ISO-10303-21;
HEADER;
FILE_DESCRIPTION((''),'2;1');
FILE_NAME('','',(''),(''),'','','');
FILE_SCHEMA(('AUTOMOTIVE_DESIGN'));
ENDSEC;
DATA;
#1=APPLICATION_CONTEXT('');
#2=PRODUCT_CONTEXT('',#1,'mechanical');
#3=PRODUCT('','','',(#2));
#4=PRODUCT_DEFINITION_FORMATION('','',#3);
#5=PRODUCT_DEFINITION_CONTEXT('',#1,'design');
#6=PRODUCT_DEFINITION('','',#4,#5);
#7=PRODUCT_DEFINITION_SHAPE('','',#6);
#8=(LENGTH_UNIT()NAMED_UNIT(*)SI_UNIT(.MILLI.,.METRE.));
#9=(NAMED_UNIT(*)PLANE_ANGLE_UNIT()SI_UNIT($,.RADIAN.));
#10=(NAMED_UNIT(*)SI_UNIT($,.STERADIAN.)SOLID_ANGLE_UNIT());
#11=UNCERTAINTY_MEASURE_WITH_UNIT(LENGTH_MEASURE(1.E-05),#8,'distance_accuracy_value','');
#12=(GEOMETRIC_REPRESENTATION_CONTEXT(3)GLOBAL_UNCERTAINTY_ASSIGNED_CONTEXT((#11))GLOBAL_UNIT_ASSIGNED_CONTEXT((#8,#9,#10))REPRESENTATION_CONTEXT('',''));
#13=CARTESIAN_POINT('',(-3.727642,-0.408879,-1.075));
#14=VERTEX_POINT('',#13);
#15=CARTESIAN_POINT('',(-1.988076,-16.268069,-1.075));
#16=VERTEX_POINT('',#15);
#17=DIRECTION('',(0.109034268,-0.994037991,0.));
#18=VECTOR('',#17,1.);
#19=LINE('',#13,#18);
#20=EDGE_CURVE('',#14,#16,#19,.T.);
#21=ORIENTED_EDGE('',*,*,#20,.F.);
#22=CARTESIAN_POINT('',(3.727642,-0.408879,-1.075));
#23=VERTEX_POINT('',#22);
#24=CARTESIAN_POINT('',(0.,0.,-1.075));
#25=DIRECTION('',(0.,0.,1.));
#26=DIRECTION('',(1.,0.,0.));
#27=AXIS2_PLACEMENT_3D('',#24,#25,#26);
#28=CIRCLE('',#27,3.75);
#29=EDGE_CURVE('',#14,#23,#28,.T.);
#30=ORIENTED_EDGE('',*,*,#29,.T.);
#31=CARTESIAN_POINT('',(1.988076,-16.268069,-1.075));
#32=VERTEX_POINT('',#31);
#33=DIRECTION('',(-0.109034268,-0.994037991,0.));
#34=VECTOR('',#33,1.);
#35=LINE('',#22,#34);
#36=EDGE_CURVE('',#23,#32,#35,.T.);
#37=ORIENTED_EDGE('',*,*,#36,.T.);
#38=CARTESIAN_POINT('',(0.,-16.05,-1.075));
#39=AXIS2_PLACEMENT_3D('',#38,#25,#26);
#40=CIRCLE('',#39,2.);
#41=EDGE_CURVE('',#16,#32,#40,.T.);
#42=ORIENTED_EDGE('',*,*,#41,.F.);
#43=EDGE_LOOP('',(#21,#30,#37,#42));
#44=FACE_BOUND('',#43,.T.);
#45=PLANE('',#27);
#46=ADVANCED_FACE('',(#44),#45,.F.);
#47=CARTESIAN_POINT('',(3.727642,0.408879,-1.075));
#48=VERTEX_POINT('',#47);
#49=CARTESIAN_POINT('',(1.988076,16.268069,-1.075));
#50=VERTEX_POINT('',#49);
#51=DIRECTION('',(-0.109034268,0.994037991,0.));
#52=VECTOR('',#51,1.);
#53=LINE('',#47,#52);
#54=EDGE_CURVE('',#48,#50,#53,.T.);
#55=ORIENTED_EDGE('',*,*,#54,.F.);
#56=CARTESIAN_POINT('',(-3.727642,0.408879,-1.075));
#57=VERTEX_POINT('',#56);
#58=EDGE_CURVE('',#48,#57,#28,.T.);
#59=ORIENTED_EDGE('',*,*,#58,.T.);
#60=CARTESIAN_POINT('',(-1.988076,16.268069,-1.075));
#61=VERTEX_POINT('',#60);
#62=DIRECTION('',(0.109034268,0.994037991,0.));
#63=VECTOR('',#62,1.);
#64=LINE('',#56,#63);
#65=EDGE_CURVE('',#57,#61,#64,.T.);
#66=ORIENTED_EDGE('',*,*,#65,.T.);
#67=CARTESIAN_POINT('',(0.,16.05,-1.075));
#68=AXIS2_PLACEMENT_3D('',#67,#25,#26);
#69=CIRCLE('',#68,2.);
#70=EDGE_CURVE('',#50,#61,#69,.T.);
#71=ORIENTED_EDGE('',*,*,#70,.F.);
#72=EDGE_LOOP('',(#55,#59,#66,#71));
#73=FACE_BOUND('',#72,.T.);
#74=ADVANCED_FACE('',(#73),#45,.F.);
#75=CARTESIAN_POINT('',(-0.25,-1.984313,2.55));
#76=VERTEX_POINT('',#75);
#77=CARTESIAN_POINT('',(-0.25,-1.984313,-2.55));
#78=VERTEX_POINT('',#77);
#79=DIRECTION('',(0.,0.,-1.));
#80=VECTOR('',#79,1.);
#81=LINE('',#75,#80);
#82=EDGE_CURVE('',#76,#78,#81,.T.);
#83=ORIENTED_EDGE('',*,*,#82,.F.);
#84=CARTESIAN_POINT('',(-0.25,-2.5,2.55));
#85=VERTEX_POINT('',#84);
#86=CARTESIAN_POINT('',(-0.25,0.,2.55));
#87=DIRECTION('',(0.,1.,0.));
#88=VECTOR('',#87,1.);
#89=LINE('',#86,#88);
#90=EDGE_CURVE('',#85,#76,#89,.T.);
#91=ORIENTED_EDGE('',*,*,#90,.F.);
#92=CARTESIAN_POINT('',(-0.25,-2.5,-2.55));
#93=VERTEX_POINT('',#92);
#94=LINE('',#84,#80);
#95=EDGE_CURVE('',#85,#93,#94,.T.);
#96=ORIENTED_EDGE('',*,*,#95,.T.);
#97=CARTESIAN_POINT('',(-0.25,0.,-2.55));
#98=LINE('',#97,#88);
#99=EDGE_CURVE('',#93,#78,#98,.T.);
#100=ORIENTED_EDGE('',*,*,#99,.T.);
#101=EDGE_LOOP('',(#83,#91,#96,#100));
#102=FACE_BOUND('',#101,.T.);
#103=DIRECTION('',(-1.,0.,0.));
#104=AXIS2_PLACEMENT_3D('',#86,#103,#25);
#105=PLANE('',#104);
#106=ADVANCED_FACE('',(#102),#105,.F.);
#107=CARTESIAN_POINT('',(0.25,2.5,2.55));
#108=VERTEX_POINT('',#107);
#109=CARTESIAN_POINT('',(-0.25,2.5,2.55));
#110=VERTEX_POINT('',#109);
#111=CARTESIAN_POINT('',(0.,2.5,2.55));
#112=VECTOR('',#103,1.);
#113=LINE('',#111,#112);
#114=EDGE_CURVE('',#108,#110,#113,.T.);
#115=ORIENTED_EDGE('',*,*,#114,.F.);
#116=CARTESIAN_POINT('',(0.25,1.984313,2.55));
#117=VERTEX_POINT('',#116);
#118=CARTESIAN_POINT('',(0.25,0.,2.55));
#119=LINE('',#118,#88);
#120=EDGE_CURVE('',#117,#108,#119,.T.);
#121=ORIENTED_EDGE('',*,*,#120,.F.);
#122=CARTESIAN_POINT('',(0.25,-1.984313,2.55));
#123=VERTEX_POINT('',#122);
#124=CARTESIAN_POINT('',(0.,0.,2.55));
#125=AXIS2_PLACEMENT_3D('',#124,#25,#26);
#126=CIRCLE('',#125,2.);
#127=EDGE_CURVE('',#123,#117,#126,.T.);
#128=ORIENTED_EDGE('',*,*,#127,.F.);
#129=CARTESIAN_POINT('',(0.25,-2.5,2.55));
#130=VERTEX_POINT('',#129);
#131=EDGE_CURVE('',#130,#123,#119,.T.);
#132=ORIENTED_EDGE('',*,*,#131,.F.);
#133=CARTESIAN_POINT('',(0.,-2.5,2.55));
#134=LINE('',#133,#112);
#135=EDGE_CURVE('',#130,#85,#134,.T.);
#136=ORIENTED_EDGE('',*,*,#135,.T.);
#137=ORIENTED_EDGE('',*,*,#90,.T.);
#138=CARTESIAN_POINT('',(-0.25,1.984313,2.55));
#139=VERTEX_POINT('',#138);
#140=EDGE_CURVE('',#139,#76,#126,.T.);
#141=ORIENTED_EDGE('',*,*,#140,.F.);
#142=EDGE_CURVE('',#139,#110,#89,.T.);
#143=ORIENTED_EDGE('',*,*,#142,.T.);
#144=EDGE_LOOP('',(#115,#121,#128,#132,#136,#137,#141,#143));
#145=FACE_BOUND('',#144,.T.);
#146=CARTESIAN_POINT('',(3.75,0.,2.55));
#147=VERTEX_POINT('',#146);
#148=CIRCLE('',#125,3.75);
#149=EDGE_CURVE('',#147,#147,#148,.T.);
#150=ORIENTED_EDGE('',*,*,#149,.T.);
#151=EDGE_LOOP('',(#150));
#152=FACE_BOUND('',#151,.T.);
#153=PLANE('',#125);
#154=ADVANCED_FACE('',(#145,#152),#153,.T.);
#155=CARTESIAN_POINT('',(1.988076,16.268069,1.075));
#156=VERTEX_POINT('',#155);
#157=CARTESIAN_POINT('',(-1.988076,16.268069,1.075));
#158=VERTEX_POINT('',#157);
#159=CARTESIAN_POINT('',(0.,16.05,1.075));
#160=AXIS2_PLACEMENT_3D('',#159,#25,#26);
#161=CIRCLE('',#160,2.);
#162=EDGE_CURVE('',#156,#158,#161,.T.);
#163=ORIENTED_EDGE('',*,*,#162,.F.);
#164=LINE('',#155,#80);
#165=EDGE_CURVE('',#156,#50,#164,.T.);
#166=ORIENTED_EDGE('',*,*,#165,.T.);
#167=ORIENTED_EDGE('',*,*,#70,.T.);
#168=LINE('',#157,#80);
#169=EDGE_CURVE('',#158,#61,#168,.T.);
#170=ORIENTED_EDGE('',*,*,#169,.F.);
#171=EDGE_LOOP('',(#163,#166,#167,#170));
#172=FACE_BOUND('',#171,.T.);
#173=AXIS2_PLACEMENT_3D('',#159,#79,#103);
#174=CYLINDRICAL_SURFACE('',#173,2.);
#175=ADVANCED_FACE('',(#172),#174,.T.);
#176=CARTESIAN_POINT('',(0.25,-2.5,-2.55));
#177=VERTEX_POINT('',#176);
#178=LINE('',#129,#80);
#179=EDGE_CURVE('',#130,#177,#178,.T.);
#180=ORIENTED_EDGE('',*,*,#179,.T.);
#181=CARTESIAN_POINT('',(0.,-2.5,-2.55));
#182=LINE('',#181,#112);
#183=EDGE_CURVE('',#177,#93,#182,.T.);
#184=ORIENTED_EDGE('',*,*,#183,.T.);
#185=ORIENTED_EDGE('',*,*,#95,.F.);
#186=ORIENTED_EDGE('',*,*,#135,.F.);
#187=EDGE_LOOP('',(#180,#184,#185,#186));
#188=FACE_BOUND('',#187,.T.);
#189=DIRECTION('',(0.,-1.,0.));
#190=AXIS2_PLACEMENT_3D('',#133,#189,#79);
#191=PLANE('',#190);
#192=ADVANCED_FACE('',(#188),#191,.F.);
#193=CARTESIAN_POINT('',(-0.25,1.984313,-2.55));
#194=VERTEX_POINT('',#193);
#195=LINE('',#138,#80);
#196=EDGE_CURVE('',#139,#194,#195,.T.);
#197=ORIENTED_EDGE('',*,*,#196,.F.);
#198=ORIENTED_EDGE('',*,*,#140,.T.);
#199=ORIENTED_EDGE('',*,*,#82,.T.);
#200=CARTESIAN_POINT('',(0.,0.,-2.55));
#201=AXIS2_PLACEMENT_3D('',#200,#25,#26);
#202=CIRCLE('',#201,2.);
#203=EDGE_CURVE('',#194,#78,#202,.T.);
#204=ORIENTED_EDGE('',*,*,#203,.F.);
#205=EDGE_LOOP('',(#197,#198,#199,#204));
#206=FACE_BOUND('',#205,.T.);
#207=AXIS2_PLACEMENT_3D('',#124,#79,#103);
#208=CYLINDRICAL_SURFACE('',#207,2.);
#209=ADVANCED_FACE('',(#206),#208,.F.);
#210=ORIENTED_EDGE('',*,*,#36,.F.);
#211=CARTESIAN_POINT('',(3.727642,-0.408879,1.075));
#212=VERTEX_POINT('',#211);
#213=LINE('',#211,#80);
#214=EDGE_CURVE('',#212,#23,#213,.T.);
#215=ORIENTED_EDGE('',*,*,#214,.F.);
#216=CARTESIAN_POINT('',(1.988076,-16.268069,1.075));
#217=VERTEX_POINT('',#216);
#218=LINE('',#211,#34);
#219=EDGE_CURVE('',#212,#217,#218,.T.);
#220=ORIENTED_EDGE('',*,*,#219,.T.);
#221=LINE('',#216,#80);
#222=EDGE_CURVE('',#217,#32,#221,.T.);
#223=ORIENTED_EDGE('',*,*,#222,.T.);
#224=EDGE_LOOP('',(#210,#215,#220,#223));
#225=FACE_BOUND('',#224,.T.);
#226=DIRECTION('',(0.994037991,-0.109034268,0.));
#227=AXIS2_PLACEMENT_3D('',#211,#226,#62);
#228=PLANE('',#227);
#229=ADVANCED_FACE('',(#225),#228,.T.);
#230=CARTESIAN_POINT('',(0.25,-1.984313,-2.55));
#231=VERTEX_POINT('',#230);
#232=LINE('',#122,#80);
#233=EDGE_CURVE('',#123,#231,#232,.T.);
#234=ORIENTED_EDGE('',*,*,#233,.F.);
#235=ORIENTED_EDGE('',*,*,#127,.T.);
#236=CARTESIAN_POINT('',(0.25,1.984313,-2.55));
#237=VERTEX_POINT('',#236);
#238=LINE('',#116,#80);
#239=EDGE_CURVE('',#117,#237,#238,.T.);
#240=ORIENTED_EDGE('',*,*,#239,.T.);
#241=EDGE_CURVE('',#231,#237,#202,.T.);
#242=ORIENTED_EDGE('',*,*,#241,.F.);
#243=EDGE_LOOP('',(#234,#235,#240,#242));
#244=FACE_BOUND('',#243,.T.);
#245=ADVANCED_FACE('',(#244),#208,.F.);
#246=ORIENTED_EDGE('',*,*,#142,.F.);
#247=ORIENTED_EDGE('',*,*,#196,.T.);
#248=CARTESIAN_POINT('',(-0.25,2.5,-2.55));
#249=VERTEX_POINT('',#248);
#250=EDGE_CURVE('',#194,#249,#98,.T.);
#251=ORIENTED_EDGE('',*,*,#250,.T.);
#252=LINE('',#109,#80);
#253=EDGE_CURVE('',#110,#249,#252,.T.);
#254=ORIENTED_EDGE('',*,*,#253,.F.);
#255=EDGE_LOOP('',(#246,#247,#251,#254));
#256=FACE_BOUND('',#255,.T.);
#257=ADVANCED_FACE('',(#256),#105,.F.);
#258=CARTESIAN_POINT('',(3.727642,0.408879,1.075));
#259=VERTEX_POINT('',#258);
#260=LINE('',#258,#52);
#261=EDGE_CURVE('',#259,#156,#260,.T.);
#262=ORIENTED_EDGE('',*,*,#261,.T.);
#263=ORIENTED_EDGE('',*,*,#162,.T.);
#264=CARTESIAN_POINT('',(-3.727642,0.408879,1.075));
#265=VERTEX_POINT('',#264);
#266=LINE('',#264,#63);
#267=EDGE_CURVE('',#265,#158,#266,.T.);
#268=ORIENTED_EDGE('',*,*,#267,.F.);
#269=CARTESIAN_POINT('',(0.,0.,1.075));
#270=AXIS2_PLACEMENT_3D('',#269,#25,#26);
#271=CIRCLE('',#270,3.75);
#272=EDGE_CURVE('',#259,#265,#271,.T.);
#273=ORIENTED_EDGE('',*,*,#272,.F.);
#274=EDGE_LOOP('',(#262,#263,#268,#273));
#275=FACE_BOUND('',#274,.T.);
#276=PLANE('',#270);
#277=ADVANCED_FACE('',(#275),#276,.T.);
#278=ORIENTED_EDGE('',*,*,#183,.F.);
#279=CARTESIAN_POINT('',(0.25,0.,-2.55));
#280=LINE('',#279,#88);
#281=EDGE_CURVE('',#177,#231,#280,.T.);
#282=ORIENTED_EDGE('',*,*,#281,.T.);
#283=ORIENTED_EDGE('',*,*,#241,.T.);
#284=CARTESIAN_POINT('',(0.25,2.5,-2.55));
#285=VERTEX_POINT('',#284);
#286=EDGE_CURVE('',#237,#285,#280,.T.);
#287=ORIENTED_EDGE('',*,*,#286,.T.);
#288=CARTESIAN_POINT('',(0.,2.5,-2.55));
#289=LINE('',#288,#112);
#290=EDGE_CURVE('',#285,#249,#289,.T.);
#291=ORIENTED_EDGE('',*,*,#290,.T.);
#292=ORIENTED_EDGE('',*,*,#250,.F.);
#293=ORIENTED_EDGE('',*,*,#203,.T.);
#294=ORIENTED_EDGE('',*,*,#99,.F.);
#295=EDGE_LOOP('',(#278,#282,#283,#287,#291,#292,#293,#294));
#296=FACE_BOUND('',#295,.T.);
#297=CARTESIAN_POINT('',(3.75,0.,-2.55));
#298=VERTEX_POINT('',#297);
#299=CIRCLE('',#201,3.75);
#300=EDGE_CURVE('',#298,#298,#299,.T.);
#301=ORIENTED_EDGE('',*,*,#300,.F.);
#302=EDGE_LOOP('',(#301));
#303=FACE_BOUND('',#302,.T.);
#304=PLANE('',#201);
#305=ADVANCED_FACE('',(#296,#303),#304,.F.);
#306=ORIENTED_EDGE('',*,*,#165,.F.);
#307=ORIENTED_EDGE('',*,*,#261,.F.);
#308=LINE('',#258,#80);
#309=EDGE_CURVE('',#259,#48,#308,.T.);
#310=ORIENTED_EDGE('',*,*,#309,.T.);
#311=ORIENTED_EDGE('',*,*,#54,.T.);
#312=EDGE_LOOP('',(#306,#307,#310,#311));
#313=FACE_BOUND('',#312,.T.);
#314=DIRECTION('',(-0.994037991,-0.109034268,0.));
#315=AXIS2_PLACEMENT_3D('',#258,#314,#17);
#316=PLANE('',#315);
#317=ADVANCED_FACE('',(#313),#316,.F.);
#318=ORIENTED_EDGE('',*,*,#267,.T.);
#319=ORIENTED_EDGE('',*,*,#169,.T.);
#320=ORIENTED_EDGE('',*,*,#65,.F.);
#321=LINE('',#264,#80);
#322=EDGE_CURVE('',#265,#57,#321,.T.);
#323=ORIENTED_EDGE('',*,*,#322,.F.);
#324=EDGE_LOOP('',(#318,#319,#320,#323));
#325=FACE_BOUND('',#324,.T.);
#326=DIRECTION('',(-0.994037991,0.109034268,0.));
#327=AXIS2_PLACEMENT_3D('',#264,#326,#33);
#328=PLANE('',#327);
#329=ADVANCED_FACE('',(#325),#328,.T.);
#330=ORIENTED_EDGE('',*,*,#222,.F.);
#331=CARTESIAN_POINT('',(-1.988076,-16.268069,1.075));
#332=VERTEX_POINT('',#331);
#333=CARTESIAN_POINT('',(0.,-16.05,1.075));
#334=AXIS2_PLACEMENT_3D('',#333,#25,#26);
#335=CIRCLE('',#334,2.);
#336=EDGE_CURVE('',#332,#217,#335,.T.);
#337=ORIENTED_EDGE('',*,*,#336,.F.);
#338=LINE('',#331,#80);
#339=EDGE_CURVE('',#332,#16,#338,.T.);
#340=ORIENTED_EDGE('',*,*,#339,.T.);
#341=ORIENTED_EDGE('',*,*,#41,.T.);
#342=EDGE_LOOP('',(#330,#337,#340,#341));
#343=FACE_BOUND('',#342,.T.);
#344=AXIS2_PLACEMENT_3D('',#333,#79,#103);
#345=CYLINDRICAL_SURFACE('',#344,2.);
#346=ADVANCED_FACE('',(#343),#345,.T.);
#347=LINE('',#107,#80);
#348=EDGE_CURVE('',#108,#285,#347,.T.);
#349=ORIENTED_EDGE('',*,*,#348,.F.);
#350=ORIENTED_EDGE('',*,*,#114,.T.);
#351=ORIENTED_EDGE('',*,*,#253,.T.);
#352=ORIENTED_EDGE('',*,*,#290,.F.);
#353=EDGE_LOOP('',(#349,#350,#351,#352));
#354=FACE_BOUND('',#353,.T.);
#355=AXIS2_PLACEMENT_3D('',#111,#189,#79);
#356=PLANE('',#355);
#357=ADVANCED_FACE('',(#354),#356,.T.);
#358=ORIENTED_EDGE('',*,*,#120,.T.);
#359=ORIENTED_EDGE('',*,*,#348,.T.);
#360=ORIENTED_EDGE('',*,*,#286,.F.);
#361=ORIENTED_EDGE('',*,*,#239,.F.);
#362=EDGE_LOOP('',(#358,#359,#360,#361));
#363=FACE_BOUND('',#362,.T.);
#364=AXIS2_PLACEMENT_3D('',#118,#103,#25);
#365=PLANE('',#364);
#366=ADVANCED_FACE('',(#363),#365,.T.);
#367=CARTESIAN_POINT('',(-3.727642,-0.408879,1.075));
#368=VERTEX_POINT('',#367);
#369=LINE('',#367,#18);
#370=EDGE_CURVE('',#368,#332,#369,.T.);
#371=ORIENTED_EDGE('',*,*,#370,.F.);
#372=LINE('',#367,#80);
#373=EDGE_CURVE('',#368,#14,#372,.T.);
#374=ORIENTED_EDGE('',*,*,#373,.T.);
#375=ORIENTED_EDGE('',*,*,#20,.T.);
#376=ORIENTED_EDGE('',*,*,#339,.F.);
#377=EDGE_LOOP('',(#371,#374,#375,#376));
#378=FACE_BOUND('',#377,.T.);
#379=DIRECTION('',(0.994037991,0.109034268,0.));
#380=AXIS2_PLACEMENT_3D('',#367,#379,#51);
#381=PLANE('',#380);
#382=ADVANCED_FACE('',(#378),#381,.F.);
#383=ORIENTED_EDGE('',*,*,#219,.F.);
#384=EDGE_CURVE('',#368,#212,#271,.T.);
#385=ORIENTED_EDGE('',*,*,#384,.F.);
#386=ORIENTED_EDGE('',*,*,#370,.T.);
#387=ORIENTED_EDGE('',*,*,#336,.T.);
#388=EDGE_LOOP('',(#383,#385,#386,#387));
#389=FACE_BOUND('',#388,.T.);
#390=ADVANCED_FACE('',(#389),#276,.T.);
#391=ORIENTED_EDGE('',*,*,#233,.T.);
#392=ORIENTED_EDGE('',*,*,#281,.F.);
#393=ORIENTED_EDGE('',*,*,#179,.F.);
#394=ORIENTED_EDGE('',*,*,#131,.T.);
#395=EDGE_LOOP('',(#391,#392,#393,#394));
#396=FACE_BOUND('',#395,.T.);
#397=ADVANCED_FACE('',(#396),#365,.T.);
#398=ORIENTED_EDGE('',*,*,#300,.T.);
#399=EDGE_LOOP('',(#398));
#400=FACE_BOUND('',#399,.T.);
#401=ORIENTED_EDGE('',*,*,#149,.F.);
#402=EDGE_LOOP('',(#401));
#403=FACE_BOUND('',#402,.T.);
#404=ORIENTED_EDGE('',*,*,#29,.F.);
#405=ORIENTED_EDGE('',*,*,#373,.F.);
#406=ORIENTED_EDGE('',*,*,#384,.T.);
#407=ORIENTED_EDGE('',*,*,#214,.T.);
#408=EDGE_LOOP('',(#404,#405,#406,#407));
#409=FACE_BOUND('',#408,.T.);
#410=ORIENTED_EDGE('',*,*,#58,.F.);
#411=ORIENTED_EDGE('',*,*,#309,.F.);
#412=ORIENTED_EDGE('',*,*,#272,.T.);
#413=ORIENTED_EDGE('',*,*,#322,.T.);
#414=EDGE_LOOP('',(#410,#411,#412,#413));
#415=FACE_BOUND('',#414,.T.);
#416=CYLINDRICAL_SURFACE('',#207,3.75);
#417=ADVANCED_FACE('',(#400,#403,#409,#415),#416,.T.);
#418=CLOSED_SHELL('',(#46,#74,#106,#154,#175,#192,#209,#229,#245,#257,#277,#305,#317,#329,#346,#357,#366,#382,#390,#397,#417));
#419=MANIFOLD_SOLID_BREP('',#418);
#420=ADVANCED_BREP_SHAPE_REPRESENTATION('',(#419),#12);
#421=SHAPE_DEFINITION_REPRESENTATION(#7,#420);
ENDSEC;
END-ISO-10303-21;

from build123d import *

# Parameters (mm, degrees)
BOSS_EXTRUDE1_DEPTH = 2.55
BOSS_EXTRUDE2_DEPTH = 1.075


with BuildPart() as part:
    # Sketch1 → Boss-Extrude1 (new body, symmetric)
    with BuildSketch(Plane.XY):
        with BuildLine():
            ThreePointArc((3.727642468, 0.408878505), (0, 3.75), (-3.727642468, 0.408878505))
            ThreePointArc((-3.727642468, 0.408878505), (-3.75, 0), (-3.727642468, -0.408878505))
            ThreePointArc((-3.727642468, -0.408878505), (0, -3.75), (3.727642468, -0.408878505))
            ThreePointArc((3.727642468, -0.408878505), (3.744406445, -0.204744652), (3.75, 0))
            ThreePointArc((3.75, 0), (3.744406445, 0.204744652), (3.727642468, 0.408878505))
        make_face()
        with BuildLine():
            Line((0.25, -1.984313483), (0.25, -2.5))
            Line((0.25, -2.5), (-0.25, -2.5))
            Line((-0.25, -2.5), (-0.25, -1.984313483))
            ThreePointArc((-0.25, -1.984313483), (-2, 0), (-0.25, 1.984313483))
            Line((-0.25, 1.984313483), (-0.25, 2.5))
            Line((-0.25, 2.5), (0.25, 2.5))
            Line((0.25, 2.5), (0.25, 1.984313483))
            ThreePointArc((0.25, 1.984313483), (1.5, 1.322875656), (2, 0))
            ThreePointArc((2, 0), (1.5, -1.322875656), (0.25, -1.984313483))
        make_face(mode=Mode.SUBTRACT)
    extrude(amount=BOSS_EXTRUDE1_DEPTH, both=True)

    # Sketch2 → Boss-Extrude2 (add, symmetric)
    with BuildSketch(Plane.XY):
        with BuildLine():
            Line((-1.988075983, 16.268068536), (-3.727642468, 0.408878505))
            ThreePointArc((-3.727642468, 0.408878505), (0, 3.75), (3.727642468, 0.408878505))
            Line((3.727642468, 0.408878505), (1.988075983, 16.268068536))
            ThreePointArc((1.988075983, 16.268068536), (0, 18.05), (-1.988075983, 16.268068536))
        make_face()
        with BuildLine():
            ThreePointArc((3.727642468, -0.408878505), (0, -3.75), (-3.727642468, -0.408878505))
            Line((-3.727642468, -0.408878505), (-1.988075983, -16.268068536))
            ThreePointArc((-1.988075983, -16.268068536), (0, -18.05), (1.988075983, -16.268068536))
            Line((1.988075983, -16.268068536), (3.727642468, -0.408878505))
        make_face()
    extrude(amount=BOSS_EXTRUDE2_DEPTH, both=True)


solid = part.part
